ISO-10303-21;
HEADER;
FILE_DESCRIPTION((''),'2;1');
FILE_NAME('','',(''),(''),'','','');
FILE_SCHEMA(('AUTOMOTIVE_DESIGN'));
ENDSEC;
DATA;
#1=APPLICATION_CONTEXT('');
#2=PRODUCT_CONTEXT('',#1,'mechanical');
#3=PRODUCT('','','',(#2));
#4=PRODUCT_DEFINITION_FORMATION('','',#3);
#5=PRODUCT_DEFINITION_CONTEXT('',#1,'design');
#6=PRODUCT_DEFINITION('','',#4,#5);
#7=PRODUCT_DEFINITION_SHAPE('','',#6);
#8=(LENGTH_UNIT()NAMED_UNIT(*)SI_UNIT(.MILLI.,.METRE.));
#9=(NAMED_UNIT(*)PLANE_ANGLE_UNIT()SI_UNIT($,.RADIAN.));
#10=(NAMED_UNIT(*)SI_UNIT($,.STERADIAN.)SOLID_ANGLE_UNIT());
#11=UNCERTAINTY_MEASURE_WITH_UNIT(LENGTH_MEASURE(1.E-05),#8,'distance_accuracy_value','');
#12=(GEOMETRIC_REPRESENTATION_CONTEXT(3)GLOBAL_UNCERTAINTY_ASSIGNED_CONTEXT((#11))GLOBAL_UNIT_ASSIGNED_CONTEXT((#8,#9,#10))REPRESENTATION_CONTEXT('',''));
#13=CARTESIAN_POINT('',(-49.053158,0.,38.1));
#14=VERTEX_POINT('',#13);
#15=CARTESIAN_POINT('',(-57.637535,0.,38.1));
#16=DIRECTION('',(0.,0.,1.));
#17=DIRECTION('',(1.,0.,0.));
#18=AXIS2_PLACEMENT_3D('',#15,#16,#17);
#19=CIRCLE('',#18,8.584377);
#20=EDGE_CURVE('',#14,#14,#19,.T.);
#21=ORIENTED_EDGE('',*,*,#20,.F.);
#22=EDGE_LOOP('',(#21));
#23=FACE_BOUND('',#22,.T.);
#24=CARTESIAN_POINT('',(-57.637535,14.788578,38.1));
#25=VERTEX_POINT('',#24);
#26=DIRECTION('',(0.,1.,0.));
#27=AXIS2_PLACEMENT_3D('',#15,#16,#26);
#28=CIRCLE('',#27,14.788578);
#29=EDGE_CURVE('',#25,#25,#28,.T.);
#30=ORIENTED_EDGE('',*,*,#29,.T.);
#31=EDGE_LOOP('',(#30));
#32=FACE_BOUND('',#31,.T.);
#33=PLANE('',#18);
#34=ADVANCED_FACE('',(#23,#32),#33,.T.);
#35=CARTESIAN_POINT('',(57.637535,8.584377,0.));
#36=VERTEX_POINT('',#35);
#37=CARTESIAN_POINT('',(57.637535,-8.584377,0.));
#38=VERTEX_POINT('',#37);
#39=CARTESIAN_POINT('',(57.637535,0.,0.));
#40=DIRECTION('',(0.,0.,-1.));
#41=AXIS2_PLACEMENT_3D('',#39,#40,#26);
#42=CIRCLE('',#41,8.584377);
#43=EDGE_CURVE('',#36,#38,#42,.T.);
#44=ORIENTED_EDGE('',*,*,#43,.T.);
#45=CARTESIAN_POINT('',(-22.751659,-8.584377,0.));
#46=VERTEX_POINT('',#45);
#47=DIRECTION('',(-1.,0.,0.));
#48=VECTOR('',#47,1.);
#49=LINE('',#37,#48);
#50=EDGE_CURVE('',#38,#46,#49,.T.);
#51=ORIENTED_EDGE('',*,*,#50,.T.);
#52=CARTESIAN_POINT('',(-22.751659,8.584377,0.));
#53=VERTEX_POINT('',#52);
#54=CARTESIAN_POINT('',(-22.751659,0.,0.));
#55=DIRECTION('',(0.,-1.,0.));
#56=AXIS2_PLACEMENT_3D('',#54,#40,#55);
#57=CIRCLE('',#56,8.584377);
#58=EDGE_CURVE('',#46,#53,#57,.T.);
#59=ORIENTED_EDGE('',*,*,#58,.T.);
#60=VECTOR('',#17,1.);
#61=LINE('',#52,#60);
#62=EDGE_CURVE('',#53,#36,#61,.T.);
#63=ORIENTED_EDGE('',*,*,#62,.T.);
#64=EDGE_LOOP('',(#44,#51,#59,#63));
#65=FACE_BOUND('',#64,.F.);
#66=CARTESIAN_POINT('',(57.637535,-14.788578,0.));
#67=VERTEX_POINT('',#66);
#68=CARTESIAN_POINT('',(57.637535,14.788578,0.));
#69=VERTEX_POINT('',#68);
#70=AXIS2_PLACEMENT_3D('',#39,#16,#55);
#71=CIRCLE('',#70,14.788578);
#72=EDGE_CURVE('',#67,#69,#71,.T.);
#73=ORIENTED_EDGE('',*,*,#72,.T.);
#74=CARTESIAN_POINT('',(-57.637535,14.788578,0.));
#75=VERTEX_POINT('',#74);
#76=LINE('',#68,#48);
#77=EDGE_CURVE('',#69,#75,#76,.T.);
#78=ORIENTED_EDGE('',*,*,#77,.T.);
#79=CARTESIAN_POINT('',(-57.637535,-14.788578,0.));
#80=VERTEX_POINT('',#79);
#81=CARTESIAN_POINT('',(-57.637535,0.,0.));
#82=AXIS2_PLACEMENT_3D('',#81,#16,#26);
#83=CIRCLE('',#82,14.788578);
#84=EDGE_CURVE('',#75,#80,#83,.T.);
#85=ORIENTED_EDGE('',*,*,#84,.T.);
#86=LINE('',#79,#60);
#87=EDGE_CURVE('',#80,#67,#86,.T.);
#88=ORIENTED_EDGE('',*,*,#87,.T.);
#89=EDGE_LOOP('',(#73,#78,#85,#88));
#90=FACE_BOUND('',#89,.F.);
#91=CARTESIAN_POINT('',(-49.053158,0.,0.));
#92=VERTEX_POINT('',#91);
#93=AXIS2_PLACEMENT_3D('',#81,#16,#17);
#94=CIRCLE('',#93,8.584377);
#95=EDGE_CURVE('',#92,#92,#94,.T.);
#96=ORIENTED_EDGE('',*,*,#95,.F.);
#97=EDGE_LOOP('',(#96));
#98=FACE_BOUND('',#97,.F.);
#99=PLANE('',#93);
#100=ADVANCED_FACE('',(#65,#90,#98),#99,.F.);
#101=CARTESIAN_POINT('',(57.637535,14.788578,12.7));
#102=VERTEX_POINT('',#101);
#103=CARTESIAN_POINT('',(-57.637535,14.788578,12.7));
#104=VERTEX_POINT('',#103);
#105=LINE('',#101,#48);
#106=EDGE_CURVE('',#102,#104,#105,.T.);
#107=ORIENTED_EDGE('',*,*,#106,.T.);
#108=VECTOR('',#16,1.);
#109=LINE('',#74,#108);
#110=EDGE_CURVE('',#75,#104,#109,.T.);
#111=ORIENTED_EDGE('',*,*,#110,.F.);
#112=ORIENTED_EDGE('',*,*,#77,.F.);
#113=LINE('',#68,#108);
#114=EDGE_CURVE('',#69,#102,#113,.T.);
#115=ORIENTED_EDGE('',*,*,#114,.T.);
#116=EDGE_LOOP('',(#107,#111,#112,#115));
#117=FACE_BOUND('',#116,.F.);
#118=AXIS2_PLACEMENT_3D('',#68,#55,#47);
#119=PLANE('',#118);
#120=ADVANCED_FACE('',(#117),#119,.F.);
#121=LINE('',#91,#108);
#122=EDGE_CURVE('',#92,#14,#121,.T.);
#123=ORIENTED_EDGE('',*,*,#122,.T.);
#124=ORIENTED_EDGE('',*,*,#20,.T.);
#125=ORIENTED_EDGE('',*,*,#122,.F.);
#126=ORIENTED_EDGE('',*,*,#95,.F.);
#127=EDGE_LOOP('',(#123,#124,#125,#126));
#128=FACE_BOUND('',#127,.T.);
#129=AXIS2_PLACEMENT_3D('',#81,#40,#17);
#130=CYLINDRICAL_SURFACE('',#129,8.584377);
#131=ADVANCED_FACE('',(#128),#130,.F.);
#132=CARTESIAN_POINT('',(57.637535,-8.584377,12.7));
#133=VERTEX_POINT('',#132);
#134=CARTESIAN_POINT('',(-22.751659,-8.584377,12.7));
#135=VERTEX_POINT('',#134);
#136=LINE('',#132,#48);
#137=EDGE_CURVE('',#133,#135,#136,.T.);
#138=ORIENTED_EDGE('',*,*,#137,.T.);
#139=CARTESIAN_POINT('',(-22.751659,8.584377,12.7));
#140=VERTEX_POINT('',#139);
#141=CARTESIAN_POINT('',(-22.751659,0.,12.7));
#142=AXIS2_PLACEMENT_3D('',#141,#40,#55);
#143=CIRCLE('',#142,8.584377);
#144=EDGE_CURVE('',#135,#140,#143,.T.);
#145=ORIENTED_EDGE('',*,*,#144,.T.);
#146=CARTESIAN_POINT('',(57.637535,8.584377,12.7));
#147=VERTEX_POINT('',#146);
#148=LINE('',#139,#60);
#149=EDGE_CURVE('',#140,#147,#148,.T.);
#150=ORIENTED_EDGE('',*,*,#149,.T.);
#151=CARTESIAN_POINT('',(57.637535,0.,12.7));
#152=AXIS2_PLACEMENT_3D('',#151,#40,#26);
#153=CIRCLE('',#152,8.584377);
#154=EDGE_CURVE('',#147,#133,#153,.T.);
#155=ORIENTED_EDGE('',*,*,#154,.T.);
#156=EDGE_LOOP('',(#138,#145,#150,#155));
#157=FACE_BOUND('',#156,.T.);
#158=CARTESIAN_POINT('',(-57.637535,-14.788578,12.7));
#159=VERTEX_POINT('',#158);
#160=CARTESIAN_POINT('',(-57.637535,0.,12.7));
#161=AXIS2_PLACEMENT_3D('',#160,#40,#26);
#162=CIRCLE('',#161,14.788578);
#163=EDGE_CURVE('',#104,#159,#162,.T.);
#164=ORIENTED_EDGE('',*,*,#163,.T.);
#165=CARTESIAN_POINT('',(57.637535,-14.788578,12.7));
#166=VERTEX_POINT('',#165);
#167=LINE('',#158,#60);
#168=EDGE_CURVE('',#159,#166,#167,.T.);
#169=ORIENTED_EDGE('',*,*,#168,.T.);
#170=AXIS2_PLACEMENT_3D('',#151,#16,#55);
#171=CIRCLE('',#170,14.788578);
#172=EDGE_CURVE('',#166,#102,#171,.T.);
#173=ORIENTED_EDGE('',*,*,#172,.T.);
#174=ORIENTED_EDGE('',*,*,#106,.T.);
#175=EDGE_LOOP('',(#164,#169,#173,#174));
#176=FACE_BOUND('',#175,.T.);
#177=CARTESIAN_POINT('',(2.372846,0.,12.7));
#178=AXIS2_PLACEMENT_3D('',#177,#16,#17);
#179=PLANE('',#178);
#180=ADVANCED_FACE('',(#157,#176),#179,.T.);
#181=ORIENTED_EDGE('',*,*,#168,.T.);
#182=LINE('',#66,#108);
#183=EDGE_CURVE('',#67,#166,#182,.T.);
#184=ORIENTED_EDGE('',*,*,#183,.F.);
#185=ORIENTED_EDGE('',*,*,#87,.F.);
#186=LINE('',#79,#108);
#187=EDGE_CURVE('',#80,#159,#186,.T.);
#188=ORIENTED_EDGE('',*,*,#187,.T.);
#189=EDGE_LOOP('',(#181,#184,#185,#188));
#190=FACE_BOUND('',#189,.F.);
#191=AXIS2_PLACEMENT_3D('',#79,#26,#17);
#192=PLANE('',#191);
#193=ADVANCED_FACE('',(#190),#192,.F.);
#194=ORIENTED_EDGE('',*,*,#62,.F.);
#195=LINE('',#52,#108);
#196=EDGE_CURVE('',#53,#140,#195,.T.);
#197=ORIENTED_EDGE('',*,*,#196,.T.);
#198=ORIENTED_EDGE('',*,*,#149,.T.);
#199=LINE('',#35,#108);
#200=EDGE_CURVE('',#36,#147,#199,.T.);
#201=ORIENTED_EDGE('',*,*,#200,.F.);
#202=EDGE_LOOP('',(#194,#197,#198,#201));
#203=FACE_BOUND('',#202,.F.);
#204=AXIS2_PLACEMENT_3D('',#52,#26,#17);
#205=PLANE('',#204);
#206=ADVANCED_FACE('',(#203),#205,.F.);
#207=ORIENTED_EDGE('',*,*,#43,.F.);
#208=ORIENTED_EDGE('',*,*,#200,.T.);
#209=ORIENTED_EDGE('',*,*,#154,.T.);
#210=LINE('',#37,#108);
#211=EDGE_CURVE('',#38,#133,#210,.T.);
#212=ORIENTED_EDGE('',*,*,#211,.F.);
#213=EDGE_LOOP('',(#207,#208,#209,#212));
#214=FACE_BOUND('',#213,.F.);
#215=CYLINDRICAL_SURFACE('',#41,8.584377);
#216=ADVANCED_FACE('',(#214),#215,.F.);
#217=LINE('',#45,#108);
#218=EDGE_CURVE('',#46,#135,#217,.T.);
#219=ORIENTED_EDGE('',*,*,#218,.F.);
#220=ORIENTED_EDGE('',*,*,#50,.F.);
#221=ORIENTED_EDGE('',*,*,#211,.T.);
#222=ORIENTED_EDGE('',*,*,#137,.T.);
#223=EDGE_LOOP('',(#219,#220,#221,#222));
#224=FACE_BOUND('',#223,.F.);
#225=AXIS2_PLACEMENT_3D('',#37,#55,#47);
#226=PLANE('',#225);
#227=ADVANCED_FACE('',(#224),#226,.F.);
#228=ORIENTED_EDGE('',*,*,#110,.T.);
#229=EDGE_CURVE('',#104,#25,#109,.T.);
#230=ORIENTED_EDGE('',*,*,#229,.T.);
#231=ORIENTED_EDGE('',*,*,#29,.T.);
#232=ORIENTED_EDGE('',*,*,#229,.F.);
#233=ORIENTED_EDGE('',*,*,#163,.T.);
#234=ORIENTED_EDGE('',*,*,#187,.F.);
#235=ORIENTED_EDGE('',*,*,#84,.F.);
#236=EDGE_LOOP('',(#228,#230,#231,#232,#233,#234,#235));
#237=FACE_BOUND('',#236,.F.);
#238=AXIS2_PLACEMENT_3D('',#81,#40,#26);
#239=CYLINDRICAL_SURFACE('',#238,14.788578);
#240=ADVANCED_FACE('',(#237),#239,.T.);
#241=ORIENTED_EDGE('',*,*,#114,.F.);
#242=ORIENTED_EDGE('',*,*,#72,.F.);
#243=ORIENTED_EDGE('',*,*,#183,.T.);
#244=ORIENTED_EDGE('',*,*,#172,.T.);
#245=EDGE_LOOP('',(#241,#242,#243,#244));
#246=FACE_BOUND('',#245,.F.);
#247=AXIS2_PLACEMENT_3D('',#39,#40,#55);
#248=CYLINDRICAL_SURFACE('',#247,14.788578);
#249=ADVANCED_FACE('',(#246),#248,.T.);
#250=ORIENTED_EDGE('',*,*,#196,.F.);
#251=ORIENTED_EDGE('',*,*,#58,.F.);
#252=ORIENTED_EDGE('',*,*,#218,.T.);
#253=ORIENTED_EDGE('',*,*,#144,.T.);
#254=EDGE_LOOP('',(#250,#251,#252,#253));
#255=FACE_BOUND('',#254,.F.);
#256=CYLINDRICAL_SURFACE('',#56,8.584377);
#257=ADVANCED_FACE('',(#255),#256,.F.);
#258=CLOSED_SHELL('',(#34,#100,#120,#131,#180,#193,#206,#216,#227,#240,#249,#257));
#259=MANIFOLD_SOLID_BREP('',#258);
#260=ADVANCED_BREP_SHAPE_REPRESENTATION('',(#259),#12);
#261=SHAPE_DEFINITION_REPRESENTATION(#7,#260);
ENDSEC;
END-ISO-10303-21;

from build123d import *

# Parameters (mm, degrees)
F1_DEPTH = 12.7
F0_R     = 8.584377
F2_DEPTH = 38.1


with BuildPart() as f1:
    # F0 (on Top) → F1 (new body)
    with BuildSketch(Plane.XY):
        with BuildLine():
            ThreePointArc((57.637535, -14.788578), (72.426113, 0), (57.637535, 14.788578))
            Line((57.637535, 14.788578), (-57.637535, 14.788578))
            ThreePointArc((-57.637535, 14.788578), (-42.848957, 0), (-57.637535, -14.788578))
            Line((-57.637535, -14.788578), (57.637535, -14.788578))
        make_face()
        with BuildLine():
            ThreePointArc((-22.751659, -8.584377), (-31.336036, 0), (-22.751659, 8.584377))
            Line((-22.751659, 8.584377), (57.637535, 8.584377))
            ThreePointArc((57.637535, 8.584377), (66.221912, 0), (57.637535, -8.584377))
            Line((57.637535, -8.584377), (-22.751659, -8.584377))
        make_face(mode=Mode.SUBTRACT)
    extrude(amount=F1_DEPTH)

    # F0 (on Top) → F2 (join)
    with BuildSketch(Plane.XY):
        with BuildLine():
            ThreePointArc((-57.637535, -14.788578), (-42.848957, 0), (-57.637535, 14.788578))
            ThreePointArc((-57.637535, 14.788578), (-72.426113, 0), (-57.637535, -14.788578))
        make_face()
        with Locations((-57.637535, 0)):
            Circle(F0_R, mode=Mode.SUBTRACT)
    extrude(amount=F2_DEPTH)


solid = f1.part
